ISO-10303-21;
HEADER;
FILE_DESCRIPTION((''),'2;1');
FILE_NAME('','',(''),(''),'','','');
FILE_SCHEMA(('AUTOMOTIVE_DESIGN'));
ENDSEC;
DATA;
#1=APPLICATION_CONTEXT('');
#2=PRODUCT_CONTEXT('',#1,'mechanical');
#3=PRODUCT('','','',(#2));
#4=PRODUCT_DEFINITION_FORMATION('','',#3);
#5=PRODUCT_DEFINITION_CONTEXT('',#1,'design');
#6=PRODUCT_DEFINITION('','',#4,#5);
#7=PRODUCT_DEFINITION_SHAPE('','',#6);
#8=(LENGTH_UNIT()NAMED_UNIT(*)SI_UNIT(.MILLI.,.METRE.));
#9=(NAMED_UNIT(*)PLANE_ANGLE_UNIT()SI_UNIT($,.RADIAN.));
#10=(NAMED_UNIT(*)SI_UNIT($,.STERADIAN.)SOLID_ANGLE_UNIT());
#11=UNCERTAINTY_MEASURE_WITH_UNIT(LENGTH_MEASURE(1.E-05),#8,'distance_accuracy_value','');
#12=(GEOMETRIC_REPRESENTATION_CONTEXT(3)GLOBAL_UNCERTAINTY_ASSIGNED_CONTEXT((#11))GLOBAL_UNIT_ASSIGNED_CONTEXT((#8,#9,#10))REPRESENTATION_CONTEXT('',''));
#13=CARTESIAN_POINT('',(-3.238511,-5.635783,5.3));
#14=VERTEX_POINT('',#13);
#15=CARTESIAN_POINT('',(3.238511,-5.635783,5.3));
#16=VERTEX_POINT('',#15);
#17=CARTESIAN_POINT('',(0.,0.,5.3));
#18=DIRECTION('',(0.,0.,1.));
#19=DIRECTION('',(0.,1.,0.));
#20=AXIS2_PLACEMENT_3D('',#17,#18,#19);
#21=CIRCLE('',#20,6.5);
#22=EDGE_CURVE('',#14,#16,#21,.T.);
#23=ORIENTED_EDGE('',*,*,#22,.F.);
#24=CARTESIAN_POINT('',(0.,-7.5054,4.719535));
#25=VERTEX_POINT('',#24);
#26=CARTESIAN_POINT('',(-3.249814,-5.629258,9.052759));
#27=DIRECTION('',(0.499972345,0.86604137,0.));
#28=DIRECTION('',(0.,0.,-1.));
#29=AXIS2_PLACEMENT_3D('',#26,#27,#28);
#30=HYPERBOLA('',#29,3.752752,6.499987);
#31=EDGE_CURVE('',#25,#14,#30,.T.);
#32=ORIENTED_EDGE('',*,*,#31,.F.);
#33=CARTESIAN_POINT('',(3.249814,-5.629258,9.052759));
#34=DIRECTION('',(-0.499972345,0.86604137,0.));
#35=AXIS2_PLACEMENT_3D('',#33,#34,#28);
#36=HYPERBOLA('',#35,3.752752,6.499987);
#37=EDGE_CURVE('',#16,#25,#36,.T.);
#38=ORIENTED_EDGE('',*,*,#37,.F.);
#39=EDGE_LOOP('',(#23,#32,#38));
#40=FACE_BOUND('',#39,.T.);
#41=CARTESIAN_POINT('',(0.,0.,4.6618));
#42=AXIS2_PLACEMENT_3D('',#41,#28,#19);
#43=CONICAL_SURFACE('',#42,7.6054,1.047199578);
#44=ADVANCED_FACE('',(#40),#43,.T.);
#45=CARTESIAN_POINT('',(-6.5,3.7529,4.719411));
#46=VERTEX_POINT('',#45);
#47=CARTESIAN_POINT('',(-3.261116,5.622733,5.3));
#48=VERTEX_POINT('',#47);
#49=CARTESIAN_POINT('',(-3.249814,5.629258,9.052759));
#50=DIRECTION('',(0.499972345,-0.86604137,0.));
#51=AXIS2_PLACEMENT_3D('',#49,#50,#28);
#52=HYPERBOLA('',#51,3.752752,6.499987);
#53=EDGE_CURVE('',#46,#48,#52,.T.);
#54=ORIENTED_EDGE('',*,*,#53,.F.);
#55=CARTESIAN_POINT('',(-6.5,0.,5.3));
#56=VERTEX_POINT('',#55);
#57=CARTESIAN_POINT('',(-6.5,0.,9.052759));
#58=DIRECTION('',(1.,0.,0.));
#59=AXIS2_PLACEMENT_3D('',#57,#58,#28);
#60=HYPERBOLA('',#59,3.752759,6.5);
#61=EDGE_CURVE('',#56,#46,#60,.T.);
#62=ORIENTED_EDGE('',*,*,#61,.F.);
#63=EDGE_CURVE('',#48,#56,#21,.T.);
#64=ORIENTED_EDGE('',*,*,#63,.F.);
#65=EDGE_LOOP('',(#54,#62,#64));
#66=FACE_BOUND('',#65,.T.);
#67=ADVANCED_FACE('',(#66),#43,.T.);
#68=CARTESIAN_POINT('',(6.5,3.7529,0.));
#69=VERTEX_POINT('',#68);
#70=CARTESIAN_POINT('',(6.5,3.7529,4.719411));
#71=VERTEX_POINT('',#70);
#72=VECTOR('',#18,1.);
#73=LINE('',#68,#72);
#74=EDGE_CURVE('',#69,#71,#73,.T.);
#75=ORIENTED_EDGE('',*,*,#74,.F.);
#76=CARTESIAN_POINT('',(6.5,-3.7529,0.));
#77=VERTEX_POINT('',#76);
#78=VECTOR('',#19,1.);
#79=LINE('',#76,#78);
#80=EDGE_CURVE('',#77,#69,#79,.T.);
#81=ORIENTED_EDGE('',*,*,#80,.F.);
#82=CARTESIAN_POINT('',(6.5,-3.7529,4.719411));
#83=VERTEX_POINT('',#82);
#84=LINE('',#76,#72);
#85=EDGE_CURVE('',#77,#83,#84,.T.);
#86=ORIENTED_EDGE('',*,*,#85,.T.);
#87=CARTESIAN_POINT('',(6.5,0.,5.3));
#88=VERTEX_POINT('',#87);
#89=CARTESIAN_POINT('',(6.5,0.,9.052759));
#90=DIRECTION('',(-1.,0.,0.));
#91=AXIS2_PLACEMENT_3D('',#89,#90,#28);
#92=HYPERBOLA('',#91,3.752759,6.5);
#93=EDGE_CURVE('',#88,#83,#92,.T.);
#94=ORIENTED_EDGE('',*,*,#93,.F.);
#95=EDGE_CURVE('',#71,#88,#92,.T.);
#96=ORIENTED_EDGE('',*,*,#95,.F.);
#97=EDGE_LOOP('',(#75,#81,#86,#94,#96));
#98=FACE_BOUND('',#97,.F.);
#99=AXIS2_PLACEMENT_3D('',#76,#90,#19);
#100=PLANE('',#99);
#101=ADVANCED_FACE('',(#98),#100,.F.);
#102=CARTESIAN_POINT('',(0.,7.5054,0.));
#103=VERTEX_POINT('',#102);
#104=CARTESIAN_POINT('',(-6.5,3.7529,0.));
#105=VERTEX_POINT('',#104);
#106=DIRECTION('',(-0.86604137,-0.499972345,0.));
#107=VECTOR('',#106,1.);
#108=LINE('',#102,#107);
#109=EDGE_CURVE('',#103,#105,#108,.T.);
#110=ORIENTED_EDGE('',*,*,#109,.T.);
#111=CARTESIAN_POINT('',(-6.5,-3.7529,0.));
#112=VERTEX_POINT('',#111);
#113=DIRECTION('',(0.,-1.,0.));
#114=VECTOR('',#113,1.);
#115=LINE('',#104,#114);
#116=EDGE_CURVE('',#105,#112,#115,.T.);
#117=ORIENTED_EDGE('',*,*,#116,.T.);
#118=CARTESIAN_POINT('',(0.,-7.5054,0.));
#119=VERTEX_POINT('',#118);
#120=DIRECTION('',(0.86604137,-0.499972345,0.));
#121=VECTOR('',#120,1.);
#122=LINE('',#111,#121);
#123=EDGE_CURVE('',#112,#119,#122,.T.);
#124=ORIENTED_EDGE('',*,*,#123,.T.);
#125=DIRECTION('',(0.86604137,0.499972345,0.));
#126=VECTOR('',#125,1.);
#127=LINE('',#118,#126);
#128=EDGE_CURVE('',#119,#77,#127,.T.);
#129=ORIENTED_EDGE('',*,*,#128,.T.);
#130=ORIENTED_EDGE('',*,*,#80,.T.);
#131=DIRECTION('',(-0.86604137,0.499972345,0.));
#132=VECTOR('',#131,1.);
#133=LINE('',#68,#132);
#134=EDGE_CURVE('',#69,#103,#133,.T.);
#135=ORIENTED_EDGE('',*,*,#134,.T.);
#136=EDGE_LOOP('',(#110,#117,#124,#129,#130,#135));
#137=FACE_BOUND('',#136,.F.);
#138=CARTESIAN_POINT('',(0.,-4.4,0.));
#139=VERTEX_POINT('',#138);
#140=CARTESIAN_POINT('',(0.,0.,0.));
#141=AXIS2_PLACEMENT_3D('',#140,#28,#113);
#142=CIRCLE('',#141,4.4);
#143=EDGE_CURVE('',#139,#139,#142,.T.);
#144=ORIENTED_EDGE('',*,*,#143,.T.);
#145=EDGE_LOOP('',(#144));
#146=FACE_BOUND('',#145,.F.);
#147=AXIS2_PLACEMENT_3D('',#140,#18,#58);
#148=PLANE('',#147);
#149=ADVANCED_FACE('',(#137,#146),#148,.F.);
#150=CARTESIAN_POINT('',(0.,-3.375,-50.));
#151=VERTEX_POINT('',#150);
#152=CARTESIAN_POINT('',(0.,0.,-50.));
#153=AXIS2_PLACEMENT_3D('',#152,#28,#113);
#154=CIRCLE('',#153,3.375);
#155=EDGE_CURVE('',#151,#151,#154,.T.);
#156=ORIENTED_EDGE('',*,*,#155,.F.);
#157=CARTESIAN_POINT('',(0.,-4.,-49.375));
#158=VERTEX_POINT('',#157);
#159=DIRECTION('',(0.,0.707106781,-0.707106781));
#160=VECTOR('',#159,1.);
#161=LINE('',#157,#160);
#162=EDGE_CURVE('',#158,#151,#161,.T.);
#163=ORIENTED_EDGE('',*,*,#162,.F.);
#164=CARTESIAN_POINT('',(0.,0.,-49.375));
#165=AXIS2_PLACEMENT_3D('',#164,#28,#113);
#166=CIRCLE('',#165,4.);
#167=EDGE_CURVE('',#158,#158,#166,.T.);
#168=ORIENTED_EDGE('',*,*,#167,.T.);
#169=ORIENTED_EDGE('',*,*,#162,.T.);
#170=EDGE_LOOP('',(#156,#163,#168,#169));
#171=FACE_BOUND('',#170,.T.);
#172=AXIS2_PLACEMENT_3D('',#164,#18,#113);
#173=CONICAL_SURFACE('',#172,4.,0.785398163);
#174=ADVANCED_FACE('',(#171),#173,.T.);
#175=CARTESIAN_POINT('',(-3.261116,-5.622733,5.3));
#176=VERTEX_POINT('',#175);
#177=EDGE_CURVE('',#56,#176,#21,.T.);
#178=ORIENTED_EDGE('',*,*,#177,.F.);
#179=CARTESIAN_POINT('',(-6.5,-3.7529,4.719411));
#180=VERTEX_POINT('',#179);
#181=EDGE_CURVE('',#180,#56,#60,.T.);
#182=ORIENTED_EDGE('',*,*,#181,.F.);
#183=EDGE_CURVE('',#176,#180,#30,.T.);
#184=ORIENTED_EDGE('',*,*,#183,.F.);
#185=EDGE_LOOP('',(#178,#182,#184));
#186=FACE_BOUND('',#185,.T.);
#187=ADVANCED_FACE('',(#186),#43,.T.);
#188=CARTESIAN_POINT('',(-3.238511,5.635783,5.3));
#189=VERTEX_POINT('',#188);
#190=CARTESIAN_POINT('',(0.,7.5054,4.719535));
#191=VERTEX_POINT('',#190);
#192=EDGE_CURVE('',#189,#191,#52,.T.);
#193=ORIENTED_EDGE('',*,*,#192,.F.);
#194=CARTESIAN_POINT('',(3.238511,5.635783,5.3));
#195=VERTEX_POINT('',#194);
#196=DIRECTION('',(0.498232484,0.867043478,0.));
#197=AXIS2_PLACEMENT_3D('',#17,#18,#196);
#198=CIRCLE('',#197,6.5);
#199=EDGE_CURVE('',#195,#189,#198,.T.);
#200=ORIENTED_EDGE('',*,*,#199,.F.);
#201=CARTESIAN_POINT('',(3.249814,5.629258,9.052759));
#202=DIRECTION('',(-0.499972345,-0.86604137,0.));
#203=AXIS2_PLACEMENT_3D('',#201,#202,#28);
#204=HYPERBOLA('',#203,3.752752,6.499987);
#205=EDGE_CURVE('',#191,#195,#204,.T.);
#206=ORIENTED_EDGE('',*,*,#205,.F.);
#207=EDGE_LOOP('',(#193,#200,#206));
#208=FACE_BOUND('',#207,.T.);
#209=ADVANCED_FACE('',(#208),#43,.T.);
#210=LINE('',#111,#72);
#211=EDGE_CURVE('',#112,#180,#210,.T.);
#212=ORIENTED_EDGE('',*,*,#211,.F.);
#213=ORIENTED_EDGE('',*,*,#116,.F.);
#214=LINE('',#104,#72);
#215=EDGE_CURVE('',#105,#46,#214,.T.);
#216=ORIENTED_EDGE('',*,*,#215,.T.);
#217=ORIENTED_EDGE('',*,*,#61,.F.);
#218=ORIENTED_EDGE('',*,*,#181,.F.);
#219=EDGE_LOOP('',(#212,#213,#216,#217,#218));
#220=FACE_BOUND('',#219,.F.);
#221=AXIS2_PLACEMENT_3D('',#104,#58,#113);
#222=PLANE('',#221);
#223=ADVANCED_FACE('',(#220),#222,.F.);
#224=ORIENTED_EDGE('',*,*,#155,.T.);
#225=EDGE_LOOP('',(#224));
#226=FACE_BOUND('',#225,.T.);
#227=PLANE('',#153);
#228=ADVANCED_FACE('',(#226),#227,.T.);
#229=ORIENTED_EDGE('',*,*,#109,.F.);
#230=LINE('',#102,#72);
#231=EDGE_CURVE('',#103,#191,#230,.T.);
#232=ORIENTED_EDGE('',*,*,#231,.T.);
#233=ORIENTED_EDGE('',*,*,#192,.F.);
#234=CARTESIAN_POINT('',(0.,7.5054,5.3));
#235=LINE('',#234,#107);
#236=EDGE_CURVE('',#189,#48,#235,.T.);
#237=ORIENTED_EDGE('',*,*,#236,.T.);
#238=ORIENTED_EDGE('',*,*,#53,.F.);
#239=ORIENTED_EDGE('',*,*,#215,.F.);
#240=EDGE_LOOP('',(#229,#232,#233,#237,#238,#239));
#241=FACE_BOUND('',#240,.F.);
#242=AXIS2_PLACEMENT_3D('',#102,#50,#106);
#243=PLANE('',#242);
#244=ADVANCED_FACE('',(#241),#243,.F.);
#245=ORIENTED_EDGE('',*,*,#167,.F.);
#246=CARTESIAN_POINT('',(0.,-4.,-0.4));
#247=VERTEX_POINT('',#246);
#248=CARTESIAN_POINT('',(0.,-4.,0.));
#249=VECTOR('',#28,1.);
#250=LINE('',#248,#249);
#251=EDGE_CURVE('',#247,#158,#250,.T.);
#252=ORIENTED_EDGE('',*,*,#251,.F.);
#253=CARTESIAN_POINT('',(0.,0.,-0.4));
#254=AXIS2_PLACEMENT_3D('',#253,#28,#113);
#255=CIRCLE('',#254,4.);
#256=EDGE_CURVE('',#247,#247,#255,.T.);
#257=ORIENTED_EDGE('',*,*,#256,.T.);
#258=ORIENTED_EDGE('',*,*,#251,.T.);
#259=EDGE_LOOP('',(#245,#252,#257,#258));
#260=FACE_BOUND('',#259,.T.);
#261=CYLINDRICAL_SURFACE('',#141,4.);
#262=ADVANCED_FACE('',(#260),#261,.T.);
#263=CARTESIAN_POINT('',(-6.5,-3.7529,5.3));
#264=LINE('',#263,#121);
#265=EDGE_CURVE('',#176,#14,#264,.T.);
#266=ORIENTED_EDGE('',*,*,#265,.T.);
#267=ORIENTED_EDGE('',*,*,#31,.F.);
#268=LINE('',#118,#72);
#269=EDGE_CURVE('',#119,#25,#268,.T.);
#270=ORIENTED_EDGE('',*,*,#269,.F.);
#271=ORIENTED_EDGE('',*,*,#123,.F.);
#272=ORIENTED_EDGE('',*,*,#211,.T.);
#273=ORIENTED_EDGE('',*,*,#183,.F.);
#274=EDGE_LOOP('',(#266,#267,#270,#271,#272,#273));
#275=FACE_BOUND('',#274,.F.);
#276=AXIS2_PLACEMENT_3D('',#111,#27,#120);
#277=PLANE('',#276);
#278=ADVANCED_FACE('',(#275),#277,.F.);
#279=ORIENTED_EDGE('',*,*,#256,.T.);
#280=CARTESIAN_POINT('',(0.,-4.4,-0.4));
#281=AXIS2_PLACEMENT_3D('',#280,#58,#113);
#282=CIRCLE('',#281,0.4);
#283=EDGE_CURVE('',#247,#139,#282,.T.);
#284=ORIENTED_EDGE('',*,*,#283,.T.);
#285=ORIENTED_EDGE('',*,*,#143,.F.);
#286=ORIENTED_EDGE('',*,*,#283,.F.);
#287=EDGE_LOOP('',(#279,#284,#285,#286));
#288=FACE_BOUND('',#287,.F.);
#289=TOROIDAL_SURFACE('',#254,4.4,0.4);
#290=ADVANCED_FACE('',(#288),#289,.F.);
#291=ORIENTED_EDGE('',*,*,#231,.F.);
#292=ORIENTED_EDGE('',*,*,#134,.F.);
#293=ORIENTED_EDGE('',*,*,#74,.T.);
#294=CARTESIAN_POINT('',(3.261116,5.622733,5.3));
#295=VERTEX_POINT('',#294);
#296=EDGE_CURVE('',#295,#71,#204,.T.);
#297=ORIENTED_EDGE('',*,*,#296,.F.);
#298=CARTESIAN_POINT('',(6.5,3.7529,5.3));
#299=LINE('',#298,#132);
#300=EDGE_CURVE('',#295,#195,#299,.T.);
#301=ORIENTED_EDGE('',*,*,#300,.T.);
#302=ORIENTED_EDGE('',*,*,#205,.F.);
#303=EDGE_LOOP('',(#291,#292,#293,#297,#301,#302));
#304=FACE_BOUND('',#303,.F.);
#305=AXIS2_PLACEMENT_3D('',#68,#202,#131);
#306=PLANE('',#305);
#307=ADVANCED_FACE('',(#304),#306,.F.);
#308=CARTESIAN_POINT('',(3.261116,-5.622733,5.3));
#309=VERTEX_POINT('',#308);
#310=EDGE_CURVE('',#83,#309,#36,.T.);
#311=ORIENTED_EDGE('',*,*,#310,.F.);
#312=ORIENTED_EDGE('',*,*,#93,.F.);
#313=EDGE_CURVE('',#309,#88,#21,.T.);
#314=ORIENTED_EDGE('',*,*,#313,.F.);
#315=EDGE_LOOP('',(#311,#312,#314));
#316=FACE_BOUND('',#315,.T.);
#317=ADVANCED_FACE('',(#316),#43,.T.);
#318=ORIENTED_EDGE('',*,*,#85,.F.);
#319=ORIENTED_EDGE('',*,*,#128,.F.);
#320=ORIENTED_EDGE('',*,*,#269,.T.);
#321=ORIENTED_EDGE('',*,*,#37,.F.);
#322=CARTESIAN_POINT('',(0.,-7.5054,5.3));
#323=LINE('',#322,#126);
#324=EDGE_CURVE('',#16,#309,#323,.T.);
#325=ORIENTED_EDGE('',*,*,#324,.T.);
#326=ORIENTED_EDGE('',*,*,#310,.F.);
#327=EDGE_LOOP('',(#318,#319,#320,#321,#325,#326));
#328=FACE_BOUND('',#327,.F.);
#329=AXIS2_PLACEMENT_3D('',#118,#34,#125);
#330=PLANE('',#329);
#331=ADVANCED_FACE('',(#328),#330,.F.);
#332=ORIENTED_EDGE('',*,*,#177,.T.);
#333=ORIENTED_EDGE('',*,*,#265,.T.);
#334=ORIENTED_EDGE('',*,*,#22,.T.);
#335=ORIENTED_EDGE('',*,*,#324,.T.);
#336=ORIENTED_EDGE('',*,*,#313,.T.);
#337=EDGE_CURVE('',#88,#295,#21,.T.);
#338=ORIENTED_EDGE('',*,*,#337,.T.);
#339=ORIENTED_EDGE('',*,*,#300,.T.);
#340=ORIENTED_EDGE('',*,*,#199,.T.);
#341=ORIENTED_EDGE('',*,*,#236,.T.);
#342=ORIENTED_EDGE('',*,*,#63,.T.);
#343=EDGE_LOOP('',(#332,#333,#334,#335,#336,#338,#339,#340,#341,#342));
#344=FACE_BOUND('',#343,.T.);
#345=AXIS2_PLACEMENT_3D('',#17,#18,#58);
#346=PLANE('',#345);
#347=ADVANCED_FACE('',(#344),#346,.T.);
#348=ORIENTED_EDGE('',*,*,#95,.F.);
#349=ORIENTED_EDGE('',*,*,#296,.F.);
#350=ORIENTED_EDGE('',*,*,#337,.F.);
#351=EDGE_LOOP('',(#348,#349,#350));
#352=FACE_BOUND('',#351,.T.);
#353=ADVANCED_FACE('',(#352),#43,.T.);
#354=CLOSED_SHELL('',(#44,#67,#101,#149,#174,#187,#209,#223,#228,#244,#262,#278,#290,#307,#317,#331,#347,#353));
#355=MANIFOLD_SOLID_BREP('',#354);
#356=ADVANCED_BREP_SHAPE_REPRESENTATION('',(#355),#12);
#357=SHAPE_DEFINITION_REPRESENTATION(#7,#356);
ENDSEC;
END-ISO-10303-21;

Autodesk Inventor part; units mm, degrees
ref_plane "WorkPlane1" through (0, 0, 0) normal (0, 0, 1) x (1, 0, 0)
sketch "Sketch1" plane through (0, 0, 0) normal (0, 0, 1) x (1, 0, 0)
  point P0 (0, 0)
sketch "Sketch2" plane through (0, 0, 0) normal (0, 0, 1) x (1, 0, 0)
  line L0 (-6.5, 3.7529) -> (-6.5, -3.7529)
  line L1 (0, 7.5054) -> (-6.5, 3.7529)
  line L2 (6.5, 3.7529) -> (0, 7.5054)
  line L3 (6.5, -3.7529) -> (6.5, 3.7529)
  line L4 (0, -7.5054) -> (6.5, -3.7529)
  line L5 (-6.5, -3.7529) -> (0, -7.5054)
  circle A0 centre (0, 0) radius 6.5 construction
  dimension "d1" = 13
  dimension "d29" = 0
  dimension "d30" = 0
extrude "Extrusion1" add sketch "Sketch2" along normal blind 5.3
sketch "Sketch3" plane through (0, 0, 0) normal (1, 0, 0) x (0, 1, 0)
  line L0 (6.5, 5.3) -> (7.6054, 5.3)
  line L1 (7.6054, 4.6618) -> (6.5, 5.3)
  line L2 (7.6054, 5.3) -> (7.6054, 4.6618)
  line L3 (0, -1.06) -> (0, 6.36) projected
  line L4 (7.5054, 0) -> (7.5054, 5.3) projected
  dimension "d25" = 0.1
  dimension "d26" = 0
  dimension "d27" = 60
  dimension "d28" = 6.5
revolve "Revolution1" cut sketch "Sketch3" angle 360 about axis through (0, 0, -10) along (0, 0, 1)
sketch "Sketch4" plane through (0, 0, 0) normal (1, 0, 0) x (0, 1, 0)
  line L0 (0, -50) -> (0, 0)
  line L1 (-4, -50) -> (0, -50)
  line L2 (-4, 0) -> (-4, -50)
  line L3 (0, 0) -> (-4, 0)
  line L4 (0, -50) -> (0, 0)
  line L5 (-4.8, 0) -> (0.8, 0) projected
  line L6 (0, -60) -> (0, 10) projected
  dimension "d18" = 4
  dimension "d20" = 50
  dimension "d33" = 0
  dimension "d34" = 0
revolve "Revolution2" add sketch "Sketch4" angle 360 about axis through (0, 0, -50) along (0, 0, -1)
chamfer "Chamfer1" distance 0.625 angle 45 1 edges at (0, 4, -50)
fillet "Fillet1" radius 0.4 1 edges at (0, 4, 0)
thread "Thread1" size "M8x1.25" class "6g" standard "ISO Metric profile" length 47.5
ref_plane "MSC_PF1" through (0, 0, 0) normal (1, 0, 0) x (0, 1, 0)
ref_plane "MSC_PT1" through (0, 0, 0) normal (0, 0, -1) x (-1, 0, 0)
equation "\"d22\" = 0.5 * PTC"
equation "\"d23\" = 0.5 * PTC"
equation "\"d24\" = r"
equation "\"d1\" = ParS"
equation "\"d6\" = ParK"
equation "\"b\" = NLG - 2 * PTC"
equation "\"d28\" = 0.5 * ParS"
equation "\"d18\" = 0.5 * NND"
equation "\"d20\" = NLG"
equation "\"NND\" = 8"
equation "\"NLG\" = 50"
equation "\"PTC\" = 1.25"
equation "\"ParK\" = 5.3"
equation "\"ParS\" = 13"
equation "\"msp_es\" = 0.577367 * ParS"
equation "\"r\" = 0.4"
equation "\"THREADDIA\" = NND"
properties part number "ISO 4018 - M8 x 50" material "Steel"
